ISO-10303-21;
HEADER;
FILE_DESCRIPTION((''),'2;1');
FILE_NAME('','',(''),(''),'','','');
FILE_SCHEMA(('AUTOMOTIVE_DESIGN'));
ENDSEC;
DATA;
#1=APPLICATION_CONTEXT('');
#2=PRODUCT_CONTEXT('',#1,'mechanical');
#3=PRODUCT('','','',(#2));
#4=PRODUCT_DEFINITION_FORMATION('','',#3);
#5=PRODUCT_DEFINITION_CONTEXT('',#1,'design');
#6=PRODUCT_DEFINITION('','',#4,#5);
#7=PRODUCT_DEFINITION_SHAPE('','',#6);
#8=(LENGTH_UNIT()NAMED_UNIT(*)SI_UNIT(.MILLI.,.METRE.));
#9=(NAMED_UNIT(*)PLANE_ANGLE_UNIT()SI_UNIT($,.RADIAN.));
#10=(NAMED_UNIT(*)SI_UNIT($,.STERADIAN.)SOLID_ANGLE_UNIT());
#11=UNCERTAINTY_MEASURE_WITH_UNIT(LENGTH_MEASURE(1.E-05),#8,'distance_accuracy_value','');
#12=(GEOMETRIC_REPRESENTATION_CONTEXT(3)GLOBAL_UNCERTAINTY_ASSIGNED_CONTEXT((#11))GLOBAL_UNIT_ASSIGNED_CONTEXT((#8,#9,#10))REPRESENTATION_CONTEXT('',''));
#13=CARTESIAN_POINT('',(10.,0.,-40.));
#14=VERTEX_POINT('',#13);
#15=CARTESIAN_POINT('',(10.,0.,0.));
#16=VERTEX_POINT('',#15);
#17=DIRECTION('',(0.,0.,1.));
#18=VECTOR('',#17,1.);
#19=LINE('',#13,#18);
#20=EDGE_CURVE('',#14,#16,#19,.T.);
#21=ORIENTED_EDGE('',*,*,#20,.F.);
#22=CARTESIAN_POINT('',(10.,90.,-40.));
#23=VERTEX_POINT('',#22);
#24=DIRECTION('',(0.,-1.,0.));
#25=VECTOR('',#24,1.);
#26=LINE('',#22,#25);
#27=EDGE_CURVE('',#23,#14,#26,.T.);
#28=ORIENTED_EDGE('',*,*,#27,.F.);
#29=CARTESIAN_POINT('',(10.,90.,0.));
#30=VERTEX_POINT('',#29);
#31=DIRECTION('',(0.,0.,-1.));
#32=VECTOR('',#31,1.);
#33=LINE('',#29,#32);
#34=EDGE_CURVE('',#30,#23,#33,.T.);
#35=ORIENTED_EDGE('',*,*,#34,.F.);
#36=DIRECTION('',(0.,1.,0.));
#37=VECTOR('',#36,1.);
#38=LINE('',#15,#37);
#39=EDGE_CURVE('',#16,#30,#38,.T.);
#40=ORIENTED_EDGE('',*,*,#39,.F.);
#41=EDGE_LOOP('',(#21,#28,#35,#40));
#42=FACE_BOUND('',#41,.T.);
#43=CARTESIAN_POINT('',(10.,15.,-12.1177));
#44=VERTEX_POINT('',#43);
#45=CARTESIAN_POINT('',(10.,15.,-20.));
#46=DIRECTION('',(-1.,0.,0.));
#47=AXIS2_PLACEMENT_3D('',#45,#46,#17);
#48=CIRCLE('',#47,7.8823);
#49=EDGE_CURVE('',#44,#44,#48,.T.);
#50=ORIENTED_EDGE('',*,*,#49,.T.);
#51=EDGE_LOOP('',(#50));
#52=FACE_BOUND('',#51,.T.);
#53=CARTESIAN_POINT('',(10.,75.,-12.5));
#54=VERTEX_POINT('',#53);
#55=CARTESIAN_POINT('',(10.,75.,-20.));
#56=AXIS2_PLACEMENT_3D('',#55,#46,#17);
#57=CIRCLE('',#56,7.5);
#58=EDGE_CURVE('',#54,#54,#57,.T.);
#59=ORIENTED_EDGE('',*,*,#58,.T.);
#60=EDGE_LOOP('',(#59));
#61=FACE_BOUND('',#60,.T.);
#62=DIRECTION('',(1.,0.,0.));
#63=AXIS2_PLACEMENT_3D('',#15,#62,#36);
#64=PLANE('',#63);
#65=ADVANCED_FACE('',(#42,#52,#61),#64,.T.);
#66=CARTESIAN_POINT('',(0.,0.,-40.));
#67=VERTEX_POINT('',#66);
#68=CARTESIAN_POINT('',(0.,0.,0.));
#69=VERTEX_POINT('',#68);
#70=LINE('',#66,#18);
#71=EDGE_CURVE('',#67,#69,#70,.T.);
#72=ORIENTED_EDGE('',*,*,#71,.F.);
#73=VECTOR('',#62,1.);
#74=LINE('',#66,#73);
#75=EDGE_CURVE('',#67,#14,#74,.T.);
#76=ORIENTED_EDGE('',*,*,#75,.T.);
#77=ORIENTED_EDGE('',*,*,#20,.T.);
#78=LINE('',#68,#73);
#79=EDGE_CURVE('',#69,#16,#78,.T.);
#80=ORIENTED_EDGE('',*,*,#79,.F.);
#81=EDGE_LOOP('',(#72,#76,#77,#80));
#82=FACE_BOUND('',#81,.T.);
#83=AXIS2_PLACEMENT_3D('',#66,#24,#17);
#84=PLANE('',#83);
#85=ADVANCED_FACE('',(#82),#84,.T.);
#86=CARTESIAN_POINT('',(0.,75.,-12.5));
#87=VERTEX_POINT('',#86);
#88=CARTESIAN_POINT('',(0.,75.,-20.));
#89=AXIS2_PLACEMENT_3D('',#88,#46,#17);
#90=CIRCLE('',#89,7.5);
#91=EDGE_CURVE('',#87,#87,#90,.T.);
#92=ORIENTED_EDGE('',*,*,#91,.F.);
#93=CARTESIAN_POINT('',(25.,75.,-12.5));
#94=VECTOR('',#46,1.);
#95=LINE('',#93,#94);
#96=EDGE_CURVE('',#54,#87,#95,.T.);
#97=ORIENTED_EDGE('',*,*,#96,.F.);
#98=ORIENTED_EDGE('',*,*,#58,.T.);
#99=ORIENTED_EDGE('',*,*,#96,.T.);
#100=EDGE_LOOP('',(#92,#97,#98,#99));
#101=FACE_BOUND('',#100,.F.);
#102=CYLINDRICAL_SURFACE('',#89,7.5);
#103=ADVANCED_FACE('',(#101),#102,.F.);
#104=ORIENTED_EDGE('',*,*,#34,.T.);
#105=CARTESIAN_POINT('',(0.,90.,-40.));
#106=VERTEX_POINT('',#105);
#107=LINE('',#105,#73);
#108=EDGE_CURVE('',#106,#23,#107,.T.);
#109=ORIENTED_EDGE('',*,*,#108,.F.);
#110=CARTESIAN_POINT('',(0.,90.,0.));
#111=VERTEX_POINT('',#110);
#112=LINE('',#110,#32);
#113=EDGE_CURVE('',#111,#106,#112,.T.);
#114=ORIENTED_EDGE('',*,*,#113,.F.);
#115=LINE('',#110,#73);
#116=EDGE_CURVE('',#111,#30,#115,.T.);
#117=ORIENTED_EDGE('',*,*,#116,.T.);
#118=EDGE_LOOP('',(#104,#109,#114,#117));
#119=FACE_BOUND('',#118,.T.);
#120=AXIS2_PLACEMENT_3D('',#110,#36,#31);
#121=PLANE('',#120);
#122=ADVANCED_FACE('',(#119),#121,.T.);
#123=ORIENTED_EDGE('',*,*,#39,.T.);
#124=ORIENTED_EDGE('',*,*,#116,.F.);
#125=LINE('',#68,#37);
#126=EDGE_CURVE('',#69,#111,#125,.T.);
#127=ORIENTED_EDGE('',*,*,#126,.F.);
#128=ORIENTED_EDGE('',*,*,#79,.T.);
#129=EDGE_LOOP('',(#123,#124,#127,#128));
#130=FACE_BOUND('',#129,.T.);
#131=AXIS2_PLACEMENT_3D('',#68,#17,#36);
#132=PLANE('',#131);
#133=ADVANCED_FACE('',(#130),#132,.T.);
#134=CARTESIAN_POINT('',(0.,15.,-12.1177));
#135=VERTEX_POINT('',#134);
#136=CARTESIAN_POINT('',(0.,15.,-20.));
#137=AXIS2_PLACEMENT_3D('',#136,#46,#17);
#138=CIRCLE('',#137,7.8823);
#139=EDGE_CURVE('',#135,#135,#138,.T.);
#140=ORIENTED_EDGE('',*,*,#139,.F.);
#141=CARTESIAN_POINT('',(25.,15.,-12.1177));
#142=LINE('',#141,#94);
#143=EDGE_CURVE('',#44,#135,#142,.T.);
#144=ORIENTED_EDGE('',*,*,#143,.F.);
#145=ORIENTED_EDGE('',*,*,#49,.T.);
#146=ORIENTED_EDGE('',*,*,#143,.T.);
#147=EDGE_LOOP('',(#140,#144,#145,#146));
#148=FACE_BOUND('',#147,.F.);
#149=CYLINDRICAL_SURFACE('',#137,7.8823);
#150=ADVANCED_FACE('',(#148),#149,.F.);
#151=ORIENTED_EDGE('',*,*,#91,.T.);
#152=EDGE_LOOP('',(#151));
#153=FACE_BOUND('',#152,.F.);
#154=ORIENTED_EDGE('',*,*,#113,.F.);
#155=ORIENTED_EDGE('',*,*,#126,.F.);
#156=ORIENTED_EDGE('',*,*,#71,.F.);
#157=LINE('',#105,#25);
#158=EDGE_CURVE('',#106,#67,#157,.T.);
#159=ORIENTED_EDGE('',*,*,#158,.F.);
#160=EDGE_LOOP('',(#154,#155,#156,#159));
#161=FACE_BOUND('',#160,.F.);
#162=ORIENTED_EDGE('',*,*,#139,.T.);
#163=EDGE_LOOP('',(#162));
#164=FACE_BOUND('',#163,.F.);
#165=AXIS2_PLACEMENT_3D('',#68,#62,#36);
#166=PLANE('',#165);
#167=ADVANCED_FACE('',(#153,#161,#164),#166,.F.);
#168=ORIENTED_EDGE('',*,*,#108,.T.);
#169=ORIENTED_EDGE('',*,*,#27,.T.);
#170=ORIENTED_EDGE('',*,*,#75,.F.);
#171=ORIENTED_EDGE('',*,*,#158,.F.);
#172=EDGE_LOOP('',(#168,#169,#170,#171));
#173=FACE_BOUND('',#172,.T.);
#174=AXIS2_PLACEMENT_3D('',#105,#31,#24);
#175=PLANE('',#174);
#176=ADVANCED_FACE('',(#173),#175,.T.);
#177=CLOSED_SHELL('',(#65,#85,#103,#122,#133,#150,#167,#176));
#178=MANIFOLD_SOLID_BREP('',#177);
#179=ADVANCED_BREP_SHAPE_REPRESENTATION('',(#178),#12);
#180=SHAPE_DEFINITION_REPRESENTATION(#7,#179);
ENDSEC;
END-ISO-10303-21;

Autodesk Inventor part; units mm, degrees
ref_plane "YZ Plane" through (0, 0, 0) normal (1, 0, 0) x (0, 1, 0)
ref_plane "XZ Plane" through (0, 0, 0) normal (0, 1, 0) x (-1, 0, 0)
ref_plane "XY Plane" through (0, 0, 0) normal (0, 0, 1) x (1, 0, 0)
sketch "Sketch1" plane through (0, 0, 0) normal (1, 0, 0) x (0, 1, 0)
  line L0 (0, 0) -> (90, 0)
  line L1 (90, 0) -> (90, -40)
  line L2 (90, -40) -> (0, -40)
  line L3 (0, -40) -> (0, 0)
  dimension "d0" = 90
  dimension "d1" = 40
extrude "Extrusion1" add sketch "Sketch1" along normal blind 10
sketch "Sketch2" plane through (0, 0, 0) normal (-1, 0, 0) x (0, 0, 1)
  circle A0 centre (-20, 15) radius 7.8823
  line L0 (0, 0) -> (-40, 0) projected
  dimension "d4" = 15
extrude "Extrusion2" cut sketch "Sketch2" against normal mid plane 50
sketch "Sketch3" plane through (0, 0, 0) normal (-1, 0, 0) x (0, 0, 1)
  circle A0 centre (-20, 75) radius 7.5
  line L0 (-40, 90) -> (0, 90) projected
  point P0 (0, 0)
  dimension "d7" = 15
  dimension "d8" = 15
extrude "Extrusion3" cut sketch "Sketch3" against normal mid plane 50
properties part number "holder"
